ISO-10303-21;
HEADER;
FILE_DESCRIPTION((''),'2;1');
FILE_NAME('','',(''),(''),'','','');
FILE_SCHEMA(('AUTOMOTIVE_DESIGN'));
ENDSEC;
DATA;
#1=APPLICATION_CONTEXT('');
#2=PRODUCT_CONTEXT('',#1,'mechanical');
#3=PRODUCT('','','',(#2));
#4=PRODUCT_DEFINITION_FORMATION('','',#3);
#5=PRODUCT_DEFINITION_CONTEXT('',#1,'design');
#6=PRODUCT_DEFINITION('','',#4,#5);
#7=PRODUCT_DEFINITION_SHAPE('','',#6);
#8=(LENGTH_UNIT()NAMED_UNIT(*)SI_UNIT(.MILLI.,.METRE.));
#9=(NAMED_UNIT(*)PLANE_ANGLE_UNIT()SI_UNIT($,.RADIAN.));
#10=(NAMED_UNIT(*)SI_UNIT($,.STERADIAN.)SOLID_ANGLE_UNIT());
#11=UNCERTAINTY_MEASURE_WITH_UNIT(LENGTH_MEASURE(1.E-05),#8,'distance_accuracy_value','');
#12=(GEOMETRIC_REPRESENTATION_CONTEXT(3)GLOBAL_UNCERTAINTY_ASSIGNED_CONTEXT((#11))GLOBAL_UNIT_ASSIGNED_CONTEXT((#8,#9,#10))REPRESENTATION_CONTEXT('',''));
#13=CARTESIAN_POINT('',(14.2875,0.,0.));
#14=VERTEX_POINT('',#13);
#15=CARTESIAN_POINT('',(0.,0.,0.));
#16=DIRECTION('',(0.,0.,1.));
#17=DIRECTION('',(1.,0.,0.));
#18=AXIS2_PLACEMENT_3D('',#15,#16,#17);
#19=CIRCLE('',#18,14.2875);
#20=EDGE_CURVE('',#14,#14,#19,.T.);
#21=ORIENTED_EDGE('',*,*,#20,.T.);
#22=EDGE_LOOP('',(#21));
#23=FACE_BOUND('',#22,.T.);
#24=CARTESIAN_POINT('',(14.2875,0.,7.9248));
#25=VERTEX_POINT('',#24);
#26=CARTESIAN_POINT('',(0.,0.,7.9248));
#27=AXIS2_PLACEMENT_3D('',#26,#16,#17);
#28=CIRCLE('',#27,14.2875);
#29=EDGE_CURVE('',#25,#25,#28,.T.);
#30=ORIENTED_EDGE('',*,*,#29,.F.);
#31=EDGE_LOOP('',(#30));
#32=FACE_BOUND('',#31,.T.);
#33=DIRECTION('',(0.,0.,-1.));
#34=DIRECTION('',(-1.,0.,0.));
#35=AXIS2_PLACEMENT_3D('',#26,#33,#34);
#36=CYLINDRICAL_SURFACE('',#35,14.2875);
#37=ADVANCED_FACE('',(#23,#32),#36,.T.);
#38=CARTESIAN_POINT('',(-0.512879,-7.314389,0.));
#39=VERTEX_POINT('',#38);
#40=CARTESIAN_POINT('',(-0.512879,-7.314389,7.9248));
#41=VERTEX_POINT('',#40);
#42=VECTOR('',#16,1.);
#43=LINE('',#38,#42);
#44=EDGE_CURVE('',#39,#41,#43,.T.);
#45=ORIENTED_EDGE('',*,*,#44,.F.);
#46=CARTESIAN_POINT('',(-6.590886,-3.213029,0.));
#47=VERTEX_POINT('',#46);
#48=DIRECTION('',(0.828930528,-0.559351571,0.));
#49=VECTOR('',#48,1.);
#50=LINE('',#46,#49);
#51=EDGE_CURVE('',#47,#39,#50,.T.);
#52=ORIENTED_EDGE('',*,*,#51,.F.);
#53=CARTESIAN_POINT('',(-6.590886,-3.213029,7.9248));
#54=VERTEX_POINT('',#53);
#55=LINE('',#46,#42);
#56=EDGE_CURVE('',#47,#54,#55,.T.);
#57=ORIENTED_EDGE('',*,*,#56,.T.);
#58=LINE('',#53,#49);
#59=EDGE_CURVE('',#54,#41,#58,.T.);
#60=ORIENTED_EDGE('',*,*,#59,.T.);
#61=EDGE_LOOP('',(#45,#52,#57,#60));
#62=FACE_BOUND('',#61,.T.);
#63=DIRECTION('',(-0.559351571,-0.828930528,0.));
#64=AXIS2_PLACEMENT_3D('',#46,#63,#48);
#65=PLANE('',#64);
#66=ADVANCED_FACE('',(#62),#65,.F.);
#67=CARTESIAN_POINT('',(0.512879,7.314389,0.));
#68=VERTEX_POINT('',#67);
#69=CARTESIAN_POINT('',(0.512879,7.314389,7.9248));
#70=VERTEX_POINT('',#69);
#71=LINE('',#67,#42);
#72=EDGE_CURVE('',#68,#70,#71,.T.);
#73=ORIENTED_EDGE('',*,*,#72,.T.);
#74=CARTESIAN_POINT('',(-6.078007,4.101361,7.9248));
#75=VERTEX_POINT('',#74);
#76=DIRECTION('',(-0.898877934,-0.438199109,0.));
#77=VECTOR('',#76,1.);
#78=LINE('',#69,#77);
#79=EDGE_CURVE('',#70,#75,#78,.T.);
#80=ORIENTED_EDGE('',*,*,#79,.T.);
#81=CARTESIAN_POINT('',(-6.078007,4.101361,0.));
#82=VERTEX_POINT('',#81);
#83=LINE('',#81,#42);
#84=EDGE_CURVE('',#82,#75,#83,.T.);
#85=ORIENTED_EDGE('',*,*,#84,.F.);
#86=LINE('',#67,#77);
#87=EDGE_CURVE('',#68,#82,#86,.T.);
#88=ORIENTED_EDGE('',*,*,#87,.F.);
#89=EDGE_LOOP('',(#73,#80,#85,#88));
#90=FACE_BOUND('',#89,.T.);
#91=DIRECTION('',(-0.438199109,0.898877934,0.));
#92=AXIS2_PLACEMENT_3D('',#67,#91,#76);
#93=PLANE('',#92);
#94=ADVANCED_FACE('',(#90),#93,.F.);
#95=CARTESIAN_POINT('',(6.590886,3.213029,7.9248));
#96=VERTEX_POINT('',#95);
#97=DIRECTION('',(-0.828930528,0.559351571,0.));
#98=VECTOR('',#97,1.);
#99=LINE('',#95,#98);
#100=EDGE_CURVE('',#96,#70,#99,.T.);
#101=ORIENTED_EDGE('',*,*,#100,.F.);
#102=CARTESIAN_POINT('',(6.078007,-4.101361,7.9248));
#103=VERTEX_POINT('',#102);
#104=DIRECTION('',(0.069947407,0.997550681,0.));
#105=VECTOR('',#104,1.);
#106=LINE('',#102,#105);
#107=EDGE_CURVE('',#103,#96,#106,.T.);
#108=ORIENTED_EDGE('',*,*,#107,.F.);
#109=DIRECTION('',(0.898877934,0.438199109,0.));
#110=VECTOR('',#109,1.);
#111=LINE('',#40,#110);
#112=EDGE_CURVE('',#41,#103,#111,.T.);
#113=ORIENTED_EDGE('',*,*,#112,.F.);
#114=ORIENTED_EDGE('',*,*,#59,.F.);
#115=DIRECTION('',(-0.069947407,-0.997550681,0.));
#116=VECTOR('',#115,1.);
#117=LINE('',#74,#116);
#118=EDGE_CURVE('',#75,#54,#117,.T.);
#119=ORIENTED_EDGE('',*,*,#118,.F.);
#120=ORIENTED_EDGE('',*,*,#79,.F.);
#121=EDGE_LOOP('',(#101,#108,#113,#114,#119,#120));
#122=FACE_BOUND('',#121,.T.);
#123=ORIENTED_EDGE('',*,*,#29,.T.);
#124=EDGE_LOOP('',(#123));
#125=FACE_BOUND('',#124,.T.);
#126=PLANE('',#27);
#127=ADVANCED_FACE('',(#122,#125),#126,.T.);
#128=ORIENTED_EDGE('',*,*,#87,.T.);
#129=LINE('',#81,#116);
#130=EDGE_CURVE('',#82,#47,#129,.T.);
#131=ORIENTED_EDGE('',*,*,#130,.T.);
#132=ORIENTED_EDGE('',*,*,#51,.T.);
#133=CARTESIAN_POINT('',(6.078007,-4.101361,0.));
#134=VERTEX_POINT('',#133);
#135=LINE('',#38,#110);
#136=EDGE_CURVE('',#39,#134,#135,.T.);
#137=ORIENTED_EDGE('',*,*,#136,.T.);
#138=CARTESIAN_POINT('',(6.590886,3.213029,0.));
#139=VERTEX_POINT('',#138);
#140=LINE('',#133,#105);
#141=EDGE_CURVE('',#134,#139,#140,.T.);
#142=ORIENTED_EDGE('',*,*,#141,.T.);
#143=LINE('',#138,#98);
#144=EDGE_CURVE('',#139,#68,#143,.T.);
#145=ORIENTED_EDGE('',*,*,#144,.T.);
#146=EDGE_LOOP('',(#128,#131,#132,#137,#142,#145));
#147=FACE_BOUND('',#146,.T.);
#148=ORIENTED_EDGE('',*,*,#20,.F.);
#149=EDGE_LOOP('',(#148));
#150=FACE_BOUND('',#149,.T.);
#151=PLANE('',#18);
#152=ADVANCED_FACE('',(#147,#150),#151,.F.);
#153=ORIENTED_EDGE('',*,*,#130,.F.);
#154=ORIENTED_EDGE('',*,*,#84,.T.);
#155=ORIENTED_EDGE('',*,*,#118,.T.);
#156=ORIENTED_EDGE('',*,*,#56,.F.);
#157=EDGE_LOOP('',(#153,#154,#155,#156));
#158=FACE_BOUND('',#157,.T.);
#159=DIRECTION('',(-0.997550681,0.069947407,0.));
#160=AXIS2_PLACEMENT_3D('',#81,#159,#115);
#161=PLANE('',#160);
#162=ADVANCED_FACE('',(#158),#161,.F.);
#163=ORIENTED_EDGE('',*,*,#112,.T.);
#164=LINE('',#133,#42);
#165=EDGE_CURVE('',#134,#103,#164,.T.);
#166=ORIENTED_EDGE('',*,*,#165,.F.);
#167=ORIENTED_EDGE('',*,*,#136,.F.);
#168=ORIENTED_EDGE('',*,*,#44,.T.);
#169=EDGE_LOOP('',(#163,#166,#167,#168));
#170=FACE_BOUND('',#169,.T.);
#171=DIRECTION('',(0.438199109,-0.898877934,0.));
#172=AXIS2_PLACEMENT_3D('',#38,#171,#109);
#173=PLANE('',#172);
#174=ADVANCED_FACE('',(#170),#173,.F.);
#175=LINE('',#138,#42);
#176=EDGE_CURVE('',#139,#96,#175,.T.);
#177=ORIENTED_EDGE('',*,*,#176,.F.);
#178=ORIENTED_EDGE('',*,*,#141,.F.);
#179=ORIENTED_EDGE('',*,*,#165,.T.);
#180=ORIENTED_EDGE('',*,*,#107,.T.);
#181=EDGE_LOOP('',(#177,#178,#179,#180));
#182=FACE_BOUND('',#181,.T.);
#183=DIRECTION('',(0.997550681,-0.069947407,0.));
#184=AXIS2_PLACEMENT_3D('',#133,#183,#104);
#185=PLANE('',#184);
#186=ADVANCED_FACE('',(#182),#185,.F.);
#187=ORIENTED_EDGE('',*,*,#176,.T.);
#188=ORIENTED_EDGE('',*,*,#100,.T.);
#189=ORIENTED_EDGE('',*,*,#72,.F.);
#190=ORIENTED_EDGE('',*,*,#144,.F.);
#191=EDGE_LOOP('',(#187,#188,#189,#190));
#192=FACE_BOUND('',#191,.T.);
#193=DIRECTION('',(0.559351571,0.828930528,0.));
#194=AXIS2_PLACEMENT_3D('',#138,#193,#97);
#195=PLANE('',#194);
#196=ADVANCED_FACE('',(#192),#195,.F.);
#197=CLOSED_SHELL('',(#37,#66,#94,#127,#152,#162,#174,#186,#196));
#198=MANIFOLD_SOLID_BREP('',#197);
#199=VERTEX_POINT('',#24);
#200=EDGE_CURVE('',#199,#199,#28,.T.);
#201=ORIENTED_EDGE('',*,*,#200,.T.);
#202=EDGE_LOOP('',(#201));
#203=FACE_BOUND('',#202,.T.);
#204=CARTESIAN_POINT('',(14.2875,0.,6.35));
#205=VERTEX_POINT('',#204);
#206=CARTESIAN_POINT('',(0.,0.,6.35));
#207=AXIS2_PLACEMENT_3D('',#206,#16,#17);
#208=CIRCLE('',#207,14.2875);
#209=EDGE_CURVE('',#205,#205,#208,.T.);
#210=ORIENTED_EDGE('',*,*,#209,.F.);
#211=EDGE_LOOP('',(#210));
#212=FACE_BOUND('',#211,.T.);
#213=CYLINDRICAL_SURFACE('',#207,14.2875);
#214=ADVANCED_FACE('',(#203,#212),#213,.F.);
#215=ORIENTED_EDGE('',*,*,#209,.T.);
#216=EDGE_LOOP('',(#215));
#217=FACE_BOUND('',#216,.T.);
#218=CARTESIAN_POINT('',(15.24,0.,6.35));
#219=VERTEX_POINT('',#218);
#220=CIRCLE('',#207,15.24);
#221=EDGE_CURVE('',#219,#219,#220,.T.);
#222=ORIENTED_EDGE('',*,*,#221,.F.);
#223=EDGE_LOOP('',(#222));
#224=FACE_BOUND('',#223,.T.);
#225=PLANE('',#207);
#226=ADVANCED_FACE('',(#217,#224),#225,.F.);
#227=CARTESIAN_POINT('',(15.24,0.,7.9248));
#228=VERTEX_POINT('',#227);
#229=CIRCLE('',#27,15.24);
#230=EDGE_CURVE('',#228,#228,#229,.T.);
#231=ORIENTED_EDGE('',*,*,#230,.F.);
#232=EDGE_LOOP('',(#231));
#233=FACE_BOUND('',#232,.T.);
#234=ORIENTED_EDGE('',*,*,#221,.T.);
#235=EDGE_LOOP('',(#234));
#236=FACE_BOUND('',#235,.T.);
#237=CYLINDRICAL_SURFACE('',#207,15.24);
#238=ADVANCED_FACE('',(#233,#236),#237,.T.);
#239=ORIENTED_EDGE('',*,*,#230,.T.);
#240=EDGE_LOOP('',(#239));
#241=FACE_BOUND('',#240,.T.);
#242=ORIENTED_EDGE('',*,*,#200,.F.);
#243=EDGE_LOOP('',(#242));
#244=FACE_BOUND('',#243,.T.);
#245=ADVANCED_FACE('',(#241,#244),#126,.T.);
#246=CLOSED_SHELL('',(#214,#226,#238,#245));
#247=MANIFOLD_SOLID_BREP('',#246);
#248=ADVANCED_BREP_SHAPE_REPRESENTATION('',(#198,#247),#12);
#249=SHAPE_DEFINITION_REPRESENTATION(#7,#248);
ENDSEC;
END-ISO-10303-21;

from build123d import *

# Parameters (mm, degrees)
SKETCH1_R           = 14.2875
BOSS_EXTRUDE1_DEPTH = 7.9248
CUT_EXTRUDE1_DEPTH  = 7.9248
SKETCH3_R           = 15.24
SKETCH3_R_2         = 14.2875
BOSS_EXTRUDE2_DEPTH = 1.5748


with BuildPart() as part:
    # Sketch1 → Boss-Extrude1 (new body)
    with BuildSketch(Plane.XY):
        Circle(SKETCH1_R)
    extrude(amount=BOSS_EXTRUDE1_DEPTH)

    # Sketch2 → Cut-Extrude1 (cut)
    with BuildSketch(Plane.XY.offset(7.9248)):
        Polygon((6.5908862, 3.213028545), (0.512878757, 7.314389155), (-6.078007443, 4.101360611), (-6.5908862, -3.213028545), (-0.512878757, -7.314389155), (6.078007443, -4.101360611), align=None)
    extrude(amount=-CUT_EXTRUDE1_DEPTH, mode=Mode.SUBTRACT)


with BuildPart() as body_2:
    # Sketch3 → Boss-Extrude2 (new body)
    with BuildSketch(Plane.XY.offset(7.9248)):
        Circle(SKETCH3_R)
        Circle(SKETCH3_R_2, mode=Mode.SUBTRACT)
    extrude(amount=-BOSS_EXTRUDE2_DEPTH)


solid = Compound([part.part, body_2.part])
